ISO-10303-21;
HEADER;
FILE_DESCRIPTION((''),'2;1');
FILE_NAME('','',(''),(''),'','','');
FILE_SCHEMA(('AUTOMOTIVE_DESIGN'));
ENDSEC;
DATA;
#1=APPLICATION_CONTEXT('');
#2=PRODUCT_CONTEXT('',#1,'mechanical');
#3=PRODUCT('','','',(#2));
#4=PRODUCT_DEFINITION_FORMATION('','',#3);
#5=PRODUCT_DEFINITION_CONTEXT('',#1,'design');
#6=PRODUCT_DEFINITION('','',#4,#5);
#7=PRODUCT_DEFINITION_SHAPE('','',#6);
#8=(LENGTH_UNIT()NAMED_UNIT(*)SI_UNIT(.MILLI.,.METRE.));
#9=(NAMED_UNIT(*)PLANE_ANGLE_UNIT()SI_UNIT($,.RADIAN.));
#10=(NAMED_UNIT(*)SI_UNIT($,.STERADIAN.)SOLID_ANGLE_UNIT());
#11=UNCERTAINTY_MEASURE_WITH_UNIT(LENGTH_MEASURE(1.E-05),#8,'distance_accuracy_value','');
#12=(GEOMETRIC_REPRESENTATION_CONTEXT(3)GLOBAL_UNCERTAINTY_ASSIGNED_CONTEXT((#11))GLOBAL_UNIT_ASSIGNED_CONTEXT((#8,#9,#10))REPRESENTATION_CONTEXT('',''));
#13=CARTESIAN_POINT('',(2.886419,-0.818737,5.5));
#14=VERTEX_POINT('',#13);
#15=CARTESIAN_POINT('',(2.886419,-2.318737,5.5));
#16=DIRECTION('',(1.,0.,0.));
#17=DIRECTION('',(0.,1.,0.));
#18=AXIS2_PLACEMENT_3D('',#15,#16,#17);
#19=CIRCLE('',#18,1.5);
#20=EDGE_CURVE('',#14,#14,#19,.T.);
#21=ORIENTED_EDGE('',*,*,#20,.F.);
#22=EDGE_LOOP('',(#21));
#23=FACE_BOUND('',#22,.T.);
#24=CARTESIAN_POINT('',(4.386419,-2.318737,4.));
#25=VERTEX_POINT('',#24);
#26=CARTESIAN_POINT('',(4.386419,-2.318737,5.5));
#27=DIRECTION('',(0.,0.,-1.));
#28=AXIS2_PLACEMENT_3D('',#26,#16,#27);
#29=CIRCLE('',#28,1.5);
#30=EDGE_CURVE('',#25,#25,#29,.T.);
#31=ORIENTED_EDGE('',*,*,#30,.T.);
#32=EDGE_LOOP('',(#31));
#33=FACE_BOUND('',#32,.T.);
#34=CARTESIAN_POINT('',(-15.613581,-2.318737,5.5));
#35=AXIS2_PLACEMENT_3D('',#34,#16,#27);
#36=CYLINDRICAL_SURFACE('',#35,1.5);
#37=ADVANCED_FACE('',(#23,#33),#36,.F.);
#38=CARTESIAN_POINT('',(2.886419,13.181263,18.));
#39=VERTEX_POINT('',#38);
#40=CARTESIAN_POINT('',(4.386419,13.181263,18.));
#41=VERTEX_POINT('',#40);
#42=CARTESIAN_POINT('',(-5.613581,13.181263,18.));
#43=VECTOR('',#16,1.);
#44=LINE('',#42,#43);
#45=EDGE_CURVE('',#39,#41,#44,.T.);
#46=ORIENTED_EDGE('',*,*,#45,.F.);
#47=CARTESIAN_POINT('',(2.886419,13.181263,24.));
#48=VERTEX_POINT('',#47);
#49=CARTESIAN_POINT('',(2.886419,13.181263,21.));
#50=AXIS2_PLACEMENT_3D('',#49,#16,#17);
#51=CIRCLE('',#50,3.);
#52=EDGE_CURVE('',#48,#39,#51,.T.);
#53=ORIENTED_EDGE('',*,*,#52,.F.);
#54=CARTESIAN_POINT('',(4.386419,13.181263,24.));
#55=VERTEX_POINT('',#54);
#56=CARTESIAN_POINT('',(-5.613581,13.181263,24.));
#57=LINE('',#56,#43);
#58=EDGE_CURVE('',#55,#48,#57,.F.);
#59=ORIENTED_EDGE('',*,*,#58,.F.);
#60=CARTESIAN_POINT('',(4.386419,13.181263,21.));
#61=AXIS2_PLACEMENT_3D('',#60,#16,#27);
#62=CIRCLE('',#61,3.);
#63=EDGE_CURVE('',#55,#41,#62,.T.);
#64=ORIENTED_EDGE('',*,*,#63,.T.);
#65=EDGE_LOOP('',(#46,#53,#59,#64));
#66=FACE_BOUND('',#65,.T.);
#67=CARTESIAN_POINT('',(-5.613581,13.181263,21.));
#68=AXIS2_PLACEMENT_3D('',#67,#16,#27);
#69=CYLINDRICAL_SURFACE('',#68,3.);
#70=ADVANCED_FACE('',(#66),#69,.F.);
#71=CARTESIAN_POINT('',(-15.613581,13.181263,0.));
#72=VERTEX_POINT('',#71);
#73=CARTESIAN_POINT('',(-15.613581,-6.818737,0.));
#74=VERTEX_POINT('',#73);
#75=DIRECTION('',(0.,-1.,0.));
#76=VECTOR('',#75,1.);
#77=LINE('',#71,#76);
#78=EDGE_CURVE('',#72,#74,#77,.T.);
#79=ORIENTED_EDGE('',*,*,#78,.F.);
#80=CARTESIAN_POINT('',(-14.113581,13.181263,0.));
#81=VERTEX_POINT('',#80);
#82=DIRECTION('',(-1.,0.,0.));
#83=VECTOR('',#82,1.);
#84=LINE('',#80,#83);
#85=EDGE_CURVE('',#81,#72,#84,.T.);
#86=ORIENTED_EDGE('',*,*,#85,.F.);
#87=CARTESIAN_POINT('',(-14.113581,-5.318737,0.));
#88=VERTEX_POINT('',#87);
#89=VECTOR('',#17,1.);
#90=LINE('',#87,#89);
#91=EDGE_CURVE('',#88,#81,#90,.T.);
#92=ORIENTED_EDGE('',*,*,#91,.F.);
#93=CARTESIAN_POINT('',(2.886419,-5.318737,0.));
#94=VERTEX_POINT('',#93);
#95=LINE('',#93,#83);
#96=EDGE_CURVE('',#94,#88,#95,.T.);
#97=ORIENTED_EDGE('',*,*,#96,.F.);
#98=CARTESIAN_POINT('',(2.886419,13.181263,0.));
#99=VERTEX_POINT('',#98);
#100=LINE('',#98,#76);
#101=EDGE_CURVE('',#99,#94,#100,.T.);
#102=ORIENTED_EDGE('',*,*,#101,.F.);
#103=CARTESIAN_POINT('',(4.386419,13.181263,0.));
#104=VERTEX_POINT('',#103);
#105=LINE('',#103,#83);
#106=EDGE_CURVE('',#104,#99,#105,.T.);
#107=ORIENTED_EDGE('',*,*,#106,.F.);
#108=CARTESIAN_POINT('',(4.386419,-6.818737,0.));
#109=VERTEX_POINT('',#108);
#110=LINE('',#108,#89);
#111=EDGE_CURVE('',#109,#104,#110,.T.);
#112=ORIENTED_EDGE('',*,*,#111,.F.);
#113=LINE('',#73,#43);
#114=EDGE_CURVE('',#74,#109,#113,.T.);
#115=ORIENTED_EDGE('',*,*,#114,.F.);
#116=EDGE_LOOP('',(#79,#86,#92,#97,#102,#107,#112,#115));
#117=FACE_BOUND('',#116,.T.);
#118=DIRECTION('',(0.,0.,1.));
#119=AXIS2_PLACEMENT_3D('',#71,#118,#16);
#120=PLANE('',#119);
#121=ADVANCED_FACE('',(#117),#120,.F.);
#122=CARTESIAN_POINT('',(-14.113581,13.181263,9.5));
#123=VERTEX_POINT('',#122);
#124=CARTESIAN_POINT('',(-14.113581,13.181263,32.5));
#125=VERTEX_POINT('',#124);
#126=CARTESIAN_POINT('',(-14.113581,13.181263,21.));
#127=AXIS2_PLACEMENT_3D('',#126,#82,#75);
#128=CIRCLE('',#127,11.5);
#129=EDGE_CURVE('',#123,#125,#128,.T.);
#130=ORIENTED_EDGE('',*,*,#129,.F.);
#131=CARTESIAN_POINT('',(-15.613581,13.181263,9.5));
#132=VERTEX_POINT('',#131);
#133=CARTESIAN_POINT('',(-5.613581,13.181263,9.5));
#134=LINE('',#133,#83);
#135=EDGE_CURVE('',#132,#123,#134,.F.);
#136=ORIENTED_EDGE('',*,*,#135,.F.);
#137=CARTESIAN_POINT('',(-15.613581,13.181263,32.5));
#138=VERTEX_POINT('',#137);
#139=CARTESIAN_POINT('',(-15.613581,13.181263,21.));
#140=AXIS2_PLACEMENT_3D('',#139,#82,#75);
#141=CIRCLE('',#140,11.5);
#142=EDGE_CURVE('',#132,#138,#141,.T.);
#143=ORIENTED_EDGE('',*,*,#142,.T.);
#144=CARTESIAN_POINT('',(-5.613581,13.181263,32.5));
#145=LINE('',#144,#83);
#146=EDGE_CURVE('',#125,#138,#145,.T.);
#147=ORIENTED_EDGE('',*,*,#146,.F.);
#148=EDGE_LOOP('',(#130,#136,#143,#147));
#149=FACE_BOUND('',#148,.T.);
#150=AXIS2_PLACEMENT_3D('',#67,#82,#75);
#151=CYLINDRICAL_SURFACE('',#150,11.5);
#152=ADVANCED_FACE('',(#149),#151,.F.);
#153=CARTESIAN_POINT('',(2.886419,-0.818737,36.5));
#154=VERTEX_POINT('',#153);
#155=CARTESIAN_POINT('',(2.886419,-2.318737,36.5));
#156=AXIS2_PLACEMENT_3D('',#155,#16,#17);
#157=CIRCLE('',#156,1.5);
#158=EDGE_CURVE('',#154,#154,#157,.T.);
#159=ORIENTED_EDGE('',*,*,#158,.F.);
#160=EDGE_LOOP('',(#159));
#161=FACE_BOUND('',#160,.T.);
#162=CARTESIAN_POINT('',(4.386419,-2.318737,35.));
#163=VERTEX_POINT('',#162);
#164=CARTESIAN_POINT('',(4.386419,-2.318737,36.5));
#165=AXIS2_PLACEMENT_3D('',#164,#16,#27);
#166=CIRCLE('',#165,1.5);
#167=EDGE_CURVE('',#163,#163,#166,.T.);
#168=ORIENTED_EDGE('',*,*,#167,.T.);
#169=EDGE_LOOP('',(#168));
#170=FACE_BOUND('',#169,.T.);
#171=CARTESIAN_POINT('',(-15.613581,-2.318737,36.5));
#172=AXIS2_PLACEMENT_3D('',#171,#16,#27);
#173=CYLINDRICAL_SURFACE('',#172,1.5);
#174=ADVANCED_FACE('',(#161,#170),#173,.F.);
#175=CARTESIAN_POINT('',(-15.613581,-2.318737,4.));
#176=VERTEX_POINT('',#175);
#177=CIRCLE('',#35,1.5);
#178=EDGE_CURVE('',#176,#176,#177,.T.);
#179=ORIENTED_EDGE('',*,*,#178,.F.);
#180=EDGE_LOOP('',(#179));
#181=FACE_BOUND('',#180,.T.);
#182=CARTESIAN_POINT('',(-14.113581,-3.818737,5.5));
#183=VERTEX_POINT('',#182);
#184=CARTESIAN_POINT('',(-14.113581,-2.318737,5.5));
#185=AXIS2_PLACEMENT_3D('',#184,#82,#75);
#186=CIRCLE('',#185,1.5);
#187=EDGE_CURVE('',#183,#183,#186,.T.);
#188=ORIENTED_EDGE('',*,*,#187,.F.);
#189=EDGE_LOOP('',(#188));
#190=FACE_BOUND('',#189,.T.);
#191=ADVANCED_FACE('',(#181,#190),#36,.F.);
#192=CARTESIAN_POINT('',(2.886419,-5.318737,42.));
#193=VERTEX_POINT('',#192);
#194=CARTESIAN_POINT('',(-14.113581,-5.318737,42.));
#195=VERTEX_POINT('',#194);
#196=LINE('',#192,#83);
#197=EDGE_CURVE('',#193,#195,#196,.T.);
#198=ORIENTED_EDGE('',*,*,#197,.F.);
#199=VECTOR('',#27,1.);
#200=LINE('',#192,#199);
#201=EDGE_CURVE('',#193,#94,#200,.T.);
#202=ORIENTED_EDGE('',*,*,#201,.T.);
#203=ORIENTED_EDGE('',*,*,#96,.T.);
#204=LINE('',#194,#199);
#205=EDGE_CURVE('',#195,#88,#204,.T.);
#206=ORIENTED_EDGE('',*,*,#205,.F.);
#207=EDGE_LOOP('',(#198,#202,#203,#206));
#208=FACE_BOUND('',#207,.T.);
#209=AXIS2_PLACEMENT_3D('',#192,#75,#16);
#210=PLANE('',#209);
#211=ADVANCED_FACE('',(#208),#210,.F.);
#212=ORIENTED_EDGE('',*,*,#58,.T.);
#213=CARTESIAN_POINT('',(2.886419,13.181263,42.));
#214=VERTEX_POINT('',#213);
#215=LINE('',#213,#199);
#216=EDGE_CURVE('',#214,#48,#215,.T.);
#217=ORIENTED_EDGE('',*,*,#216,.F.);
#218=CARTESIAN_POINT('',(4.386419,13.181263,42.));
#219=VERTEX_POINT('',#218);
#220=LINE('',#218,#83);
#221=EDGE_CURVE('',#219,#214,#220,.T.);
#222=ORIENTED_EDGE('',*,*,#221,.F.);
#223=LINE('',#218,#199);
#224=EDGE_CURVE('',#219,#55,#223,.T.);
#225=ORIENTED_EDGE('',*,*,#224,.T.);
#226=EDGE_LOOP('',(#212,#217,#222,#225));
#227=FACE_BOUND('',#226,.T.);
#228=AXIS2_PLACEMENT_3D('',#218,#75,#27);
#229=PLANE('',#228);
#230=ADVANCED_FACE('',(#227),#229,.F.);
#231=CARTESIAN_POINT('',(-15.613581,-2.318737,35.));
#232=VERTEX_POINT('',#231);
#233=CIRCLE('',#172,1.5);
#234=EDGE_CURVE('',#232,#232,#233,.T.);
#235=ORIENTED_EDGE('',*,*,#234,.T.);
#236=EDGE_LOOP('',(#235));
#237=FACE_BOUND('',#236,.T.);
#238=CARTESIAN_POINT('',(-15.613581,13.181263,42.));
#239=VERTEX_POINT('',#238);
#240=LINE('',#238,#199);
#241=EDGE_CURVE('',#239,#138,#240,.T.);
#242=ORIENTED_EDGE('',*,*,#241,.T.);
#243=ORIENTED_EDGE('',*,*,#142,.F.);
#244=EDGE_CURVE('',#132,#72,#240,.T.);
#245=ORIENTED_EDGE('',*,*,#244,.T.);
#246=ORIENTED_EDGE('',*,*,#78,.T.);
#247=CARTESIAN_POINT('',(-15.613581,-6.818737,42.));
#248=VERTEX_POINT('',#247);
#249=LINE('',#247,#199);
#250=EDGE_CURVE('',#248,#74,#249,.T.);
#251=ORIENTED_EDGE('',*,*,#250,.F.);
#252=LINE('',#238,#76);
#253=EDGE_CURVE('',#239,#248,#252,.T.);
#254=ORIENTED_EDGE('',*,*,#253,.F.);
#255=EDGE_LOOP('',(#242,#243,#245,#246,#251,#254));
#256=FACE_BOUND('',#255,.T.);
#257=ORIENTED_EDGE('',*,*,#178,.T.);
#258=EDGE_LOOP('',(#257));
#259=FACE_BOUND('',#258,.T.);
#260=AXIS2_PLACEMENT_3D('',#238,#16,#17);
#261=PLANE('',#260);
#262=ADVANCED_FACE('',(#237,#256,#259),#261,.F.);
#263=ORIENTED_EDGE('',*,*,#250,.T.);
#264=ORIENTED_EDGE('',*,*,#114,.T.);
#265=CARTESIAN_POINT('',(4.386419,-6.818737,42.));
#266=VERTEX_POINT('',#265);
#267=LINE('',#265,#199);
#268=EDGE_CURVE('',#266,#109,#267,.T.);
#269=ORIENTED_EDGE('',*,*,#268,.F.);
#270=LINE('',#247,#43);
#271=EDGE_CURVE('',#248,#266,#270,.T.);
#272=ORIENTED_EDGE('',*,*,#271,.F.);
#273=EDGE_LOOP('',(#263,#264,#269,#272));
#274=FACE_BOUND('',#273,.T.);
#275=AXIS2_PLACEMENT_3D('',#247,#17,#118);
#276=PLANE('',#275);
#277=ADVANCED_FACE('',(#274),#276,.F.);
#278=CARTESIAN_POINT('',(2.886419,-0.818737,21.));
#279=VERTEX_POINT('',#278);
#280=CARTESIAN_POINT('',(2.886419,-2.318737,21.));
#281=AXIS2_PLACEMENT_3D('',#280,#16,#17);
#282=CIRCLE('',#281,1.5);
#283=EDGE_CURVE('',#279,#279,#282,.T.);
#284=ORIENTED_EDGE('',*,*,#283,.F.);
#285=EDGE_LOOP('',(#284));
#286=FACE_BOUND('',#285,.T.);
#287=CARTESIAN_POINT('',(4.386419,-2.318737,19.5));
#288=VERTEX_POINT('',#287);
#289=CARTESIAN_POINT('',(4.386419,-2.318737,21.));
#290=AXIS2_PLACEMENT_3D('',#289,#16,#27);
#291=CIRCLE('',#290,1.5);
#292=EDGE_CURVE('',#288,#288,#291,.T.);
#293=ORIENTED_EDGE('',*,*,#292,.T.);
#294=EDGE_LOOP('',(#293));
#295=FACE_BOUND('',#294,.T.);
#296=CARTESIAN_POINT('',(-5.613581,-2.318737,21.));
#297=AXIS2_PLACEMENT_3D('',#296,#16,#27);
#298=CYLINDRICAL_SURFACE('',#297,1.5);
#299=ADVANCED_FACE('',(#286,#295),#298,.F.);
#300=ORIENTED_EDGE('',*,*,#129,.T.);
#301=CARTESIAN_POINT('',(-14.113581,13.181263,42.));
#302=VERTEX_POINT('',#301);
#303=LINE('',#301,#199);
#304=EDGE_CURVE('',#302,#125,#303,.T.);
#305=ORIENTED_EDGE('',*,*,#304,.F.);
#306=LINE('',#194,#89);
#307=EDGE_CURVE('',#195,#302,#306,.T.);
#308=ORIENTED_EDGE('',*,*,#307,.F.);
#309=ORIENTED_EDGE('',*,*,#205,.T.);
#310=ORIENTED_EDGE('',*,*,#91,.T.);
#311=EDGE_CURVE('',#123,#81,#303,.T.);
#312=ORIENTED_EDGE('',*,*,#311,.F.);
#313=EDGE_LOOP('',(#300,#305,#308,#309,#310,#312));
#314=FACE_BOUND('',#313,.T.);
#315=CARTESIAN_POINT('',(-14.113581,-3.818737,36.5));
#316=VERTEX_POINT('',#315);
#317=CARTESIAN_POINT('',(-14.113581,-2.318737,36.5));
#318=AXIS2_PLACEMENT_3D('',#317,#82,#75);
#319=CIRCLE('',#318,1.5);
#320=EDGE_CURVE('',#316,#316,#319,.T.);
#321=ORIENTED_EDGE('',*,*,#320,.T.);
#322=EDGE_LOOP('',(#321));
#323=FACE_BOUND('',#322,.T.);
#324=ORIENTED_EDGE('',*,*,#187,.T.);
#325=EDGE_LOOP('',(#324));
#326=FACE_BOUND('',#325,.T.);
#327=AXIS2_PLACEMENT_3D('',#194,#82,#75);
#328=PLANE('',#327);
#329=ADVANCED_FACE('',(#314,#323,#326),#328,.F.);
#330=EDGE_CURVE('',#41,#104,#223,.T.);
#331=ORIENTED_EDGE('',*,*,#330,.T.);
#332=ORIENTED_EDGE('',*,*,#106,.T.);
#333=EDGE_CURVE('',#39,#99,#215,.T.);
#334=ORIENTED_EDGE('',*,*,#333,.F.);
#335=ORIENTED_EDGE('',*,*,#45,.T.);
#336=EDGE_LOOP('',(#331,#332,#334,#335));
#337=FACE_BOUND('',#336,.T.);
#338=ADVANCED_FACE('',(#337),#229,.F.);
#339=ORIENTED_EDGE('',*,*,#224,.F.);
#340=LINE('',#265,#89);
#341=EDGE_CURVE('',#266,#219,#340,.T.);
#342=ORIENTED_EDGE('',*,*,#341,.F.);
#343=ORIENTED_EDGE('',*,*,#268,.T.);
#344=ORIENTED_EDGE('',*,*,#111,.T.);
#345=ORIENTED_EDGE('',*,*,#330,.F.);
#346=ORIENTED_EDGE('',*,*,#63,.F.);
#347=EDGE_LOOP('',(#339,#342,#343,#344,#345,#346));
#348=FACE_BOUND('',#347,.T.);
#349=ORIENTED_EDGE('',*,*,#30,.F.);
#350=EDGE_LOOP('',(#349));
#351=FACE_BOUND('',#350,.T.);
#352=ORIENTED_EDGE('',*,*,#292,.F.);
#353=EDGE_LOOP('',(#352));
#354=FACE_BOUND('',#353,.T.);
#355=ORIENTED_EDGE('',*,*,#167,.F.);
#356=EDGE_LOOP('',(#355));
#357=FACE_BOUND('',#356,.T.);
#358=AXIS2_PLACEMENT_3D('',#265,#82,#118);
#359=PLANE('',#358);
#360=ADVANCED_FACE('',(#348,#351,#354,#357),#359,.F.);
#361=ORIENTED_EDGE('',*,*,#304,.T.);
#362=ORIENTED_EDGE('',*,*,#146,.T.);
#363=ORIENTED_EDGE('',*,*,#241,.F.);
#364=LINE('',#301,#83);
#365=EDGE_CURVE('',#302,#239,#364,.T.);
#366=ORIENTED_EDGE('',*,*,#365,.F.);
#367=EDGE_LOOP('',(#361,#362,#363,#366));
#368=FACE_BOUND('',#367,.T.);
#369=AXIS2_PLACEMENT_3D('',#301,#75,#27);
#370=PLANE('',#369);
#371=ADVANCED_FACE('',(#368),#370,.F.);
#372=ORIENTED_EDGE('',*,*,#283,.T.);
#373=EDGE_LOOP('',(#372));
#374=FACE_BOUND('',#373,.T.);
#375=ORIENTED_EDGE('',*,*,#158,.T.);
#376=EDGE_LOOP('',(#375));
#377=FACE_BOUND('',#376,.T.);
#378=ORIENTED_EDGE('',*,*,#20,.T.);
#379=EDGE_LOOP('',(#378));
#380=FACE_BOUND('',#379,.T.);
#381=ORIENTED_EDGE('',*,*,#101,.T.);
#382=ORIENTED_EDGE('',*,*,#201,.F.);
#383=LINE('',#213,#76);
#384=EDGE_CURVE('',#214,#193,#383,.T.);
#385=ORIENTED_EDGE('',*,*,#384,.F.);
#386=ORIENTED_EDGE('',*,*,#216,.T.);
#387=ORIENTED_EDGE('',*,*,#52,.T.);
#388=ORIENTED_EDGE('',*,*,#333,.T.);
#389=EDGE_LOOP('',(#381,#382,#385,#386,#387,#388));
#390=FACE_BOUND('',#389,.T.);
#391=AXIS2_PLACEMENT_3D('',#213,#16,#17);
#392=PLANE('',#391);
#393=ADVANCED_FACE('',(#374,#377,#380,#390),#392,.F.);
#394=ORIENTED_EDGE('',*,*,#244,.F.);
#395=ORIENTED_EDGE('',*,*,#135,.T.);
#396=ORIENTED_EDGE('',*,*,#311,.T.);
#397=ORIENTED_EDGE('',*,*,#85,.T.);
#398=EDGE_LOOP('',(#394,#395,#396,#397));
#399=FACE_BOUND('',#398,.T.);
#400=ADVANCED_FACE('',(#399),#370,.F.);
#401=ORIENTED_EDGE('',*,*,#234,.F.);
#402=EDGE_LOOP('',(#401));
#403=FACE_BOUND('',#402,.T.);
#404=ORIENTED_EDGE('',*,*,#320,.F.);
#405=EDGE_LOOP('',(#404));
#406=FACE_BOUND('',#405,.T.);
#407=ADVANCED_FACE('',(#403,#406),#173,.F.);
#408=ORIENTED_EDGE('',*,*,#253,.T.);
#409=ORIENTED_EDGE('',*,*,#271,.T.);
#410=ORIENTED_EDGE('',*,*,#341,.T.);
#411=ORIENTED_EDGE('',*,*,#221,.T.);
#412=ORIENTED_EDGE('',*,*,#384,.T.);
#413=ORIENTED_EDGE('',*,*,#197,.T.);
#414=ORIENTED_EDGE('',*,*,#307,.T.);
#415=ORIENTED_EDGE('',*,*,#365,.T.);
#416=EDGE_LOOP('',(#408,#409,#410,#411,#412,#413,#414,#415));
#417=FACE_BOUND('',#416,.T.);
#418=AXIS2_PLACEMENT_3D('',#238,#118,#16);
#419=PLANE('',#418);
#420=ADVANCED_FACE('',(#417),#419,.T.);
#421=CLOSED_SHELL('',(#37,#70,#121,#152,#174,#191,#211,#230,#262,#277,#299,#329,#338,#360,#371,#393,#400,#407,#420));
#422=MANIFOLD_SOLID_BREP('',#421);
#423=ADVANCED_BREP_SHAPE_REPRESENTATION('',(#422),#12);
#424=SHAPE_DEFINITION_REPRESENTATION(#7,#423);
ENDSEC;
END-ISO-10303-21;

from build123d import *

# Parameters (mm, degrees)
EXTRUSION1_DEPTH = 42
ESQUISSE2_R      = 1.5
EXTRUSION2_DEPTH = 49.350239901
ESQUISSE3_R      = 1.5
EXTRUSION3_DEPTH = 10
ESQUISSE4_R      = 11.5
EXTRUSION4_DEPTH = 10
ESQUISSE5_R      = 3
EXTRUSION5_DEPTH = 10


with BuildPart() as part:
    # Esquisse1 → Extrusion1 (new body)
    with BuildSketch(Plane.XY):
        Polygon((-15.613581117, 13.181263158), (-15.613581117, -6.818736842), (4.386418883, -6.818736842), (4.386418883, 13.181263158), (2.886418883, 13.181263158), (2.886418883, -5.318736842), (-14.113581117, -5.318736842), (-14.113581117, 13.181263158), align=None)
    extrude(amount=EXTRUSION1_DEPTH)

    # Esquisse2 → Extrusion2 (cut, through all)
    with BuildSketch(Plane(origin=(4.386418883, 0, 0), x_dir=(0, 0, -1), z_dir=(1, 0, 0))):
        with Locations((-36.5, -2.318736842)):
            Circle(ESQUISSE2_R)
        with Locations((-5.5, -2.318736842)):
            Circle(ESQUISSE2_R)
    extrude(amount=-EXTRUSION2_DEPTH, mode=Mode.SUBTRACT)

    # Esquisse3 → Extrusion3 (cut)
    with BuildSketch(Plane(origin=(4.386418883, 0, 0), x_dir=(0, 0, -1), z_dir=(1, 0, 0))):
        with Locations((-21, -2.318736842)):
            Circle(ESQUISSE3_R)
    extrude(amount=-EXTRUSION3_DEPTH, mode=Mode.SUBTRACT)

    # Esquisse4 → Extrusion4 (cut)
    with BuildSketch(Plane.ZY.offset(15.613581117)):
        with Locations((21, 13.181263158)):
            Circle(ESQUISSE4_R)
    extrude(amount=-EXTRUSION4_DEPTH, mode=Mode.SUBTRACT)

    # Esquisse5 → Extrusion5 (cut)
    with BuildSketch(Plane(origin=(4.386418883, 0, 0), x_dir=(0, 0, -1), z_dir=(1, 0, 0))):
        with Locations((-21, 13.181263158)):
            Circle(ESQUISSE5_R)
    extrude(amount=-EXTRUSION5_DEPTH, mode=Mode.SUBTRACT)


solid = part.part
